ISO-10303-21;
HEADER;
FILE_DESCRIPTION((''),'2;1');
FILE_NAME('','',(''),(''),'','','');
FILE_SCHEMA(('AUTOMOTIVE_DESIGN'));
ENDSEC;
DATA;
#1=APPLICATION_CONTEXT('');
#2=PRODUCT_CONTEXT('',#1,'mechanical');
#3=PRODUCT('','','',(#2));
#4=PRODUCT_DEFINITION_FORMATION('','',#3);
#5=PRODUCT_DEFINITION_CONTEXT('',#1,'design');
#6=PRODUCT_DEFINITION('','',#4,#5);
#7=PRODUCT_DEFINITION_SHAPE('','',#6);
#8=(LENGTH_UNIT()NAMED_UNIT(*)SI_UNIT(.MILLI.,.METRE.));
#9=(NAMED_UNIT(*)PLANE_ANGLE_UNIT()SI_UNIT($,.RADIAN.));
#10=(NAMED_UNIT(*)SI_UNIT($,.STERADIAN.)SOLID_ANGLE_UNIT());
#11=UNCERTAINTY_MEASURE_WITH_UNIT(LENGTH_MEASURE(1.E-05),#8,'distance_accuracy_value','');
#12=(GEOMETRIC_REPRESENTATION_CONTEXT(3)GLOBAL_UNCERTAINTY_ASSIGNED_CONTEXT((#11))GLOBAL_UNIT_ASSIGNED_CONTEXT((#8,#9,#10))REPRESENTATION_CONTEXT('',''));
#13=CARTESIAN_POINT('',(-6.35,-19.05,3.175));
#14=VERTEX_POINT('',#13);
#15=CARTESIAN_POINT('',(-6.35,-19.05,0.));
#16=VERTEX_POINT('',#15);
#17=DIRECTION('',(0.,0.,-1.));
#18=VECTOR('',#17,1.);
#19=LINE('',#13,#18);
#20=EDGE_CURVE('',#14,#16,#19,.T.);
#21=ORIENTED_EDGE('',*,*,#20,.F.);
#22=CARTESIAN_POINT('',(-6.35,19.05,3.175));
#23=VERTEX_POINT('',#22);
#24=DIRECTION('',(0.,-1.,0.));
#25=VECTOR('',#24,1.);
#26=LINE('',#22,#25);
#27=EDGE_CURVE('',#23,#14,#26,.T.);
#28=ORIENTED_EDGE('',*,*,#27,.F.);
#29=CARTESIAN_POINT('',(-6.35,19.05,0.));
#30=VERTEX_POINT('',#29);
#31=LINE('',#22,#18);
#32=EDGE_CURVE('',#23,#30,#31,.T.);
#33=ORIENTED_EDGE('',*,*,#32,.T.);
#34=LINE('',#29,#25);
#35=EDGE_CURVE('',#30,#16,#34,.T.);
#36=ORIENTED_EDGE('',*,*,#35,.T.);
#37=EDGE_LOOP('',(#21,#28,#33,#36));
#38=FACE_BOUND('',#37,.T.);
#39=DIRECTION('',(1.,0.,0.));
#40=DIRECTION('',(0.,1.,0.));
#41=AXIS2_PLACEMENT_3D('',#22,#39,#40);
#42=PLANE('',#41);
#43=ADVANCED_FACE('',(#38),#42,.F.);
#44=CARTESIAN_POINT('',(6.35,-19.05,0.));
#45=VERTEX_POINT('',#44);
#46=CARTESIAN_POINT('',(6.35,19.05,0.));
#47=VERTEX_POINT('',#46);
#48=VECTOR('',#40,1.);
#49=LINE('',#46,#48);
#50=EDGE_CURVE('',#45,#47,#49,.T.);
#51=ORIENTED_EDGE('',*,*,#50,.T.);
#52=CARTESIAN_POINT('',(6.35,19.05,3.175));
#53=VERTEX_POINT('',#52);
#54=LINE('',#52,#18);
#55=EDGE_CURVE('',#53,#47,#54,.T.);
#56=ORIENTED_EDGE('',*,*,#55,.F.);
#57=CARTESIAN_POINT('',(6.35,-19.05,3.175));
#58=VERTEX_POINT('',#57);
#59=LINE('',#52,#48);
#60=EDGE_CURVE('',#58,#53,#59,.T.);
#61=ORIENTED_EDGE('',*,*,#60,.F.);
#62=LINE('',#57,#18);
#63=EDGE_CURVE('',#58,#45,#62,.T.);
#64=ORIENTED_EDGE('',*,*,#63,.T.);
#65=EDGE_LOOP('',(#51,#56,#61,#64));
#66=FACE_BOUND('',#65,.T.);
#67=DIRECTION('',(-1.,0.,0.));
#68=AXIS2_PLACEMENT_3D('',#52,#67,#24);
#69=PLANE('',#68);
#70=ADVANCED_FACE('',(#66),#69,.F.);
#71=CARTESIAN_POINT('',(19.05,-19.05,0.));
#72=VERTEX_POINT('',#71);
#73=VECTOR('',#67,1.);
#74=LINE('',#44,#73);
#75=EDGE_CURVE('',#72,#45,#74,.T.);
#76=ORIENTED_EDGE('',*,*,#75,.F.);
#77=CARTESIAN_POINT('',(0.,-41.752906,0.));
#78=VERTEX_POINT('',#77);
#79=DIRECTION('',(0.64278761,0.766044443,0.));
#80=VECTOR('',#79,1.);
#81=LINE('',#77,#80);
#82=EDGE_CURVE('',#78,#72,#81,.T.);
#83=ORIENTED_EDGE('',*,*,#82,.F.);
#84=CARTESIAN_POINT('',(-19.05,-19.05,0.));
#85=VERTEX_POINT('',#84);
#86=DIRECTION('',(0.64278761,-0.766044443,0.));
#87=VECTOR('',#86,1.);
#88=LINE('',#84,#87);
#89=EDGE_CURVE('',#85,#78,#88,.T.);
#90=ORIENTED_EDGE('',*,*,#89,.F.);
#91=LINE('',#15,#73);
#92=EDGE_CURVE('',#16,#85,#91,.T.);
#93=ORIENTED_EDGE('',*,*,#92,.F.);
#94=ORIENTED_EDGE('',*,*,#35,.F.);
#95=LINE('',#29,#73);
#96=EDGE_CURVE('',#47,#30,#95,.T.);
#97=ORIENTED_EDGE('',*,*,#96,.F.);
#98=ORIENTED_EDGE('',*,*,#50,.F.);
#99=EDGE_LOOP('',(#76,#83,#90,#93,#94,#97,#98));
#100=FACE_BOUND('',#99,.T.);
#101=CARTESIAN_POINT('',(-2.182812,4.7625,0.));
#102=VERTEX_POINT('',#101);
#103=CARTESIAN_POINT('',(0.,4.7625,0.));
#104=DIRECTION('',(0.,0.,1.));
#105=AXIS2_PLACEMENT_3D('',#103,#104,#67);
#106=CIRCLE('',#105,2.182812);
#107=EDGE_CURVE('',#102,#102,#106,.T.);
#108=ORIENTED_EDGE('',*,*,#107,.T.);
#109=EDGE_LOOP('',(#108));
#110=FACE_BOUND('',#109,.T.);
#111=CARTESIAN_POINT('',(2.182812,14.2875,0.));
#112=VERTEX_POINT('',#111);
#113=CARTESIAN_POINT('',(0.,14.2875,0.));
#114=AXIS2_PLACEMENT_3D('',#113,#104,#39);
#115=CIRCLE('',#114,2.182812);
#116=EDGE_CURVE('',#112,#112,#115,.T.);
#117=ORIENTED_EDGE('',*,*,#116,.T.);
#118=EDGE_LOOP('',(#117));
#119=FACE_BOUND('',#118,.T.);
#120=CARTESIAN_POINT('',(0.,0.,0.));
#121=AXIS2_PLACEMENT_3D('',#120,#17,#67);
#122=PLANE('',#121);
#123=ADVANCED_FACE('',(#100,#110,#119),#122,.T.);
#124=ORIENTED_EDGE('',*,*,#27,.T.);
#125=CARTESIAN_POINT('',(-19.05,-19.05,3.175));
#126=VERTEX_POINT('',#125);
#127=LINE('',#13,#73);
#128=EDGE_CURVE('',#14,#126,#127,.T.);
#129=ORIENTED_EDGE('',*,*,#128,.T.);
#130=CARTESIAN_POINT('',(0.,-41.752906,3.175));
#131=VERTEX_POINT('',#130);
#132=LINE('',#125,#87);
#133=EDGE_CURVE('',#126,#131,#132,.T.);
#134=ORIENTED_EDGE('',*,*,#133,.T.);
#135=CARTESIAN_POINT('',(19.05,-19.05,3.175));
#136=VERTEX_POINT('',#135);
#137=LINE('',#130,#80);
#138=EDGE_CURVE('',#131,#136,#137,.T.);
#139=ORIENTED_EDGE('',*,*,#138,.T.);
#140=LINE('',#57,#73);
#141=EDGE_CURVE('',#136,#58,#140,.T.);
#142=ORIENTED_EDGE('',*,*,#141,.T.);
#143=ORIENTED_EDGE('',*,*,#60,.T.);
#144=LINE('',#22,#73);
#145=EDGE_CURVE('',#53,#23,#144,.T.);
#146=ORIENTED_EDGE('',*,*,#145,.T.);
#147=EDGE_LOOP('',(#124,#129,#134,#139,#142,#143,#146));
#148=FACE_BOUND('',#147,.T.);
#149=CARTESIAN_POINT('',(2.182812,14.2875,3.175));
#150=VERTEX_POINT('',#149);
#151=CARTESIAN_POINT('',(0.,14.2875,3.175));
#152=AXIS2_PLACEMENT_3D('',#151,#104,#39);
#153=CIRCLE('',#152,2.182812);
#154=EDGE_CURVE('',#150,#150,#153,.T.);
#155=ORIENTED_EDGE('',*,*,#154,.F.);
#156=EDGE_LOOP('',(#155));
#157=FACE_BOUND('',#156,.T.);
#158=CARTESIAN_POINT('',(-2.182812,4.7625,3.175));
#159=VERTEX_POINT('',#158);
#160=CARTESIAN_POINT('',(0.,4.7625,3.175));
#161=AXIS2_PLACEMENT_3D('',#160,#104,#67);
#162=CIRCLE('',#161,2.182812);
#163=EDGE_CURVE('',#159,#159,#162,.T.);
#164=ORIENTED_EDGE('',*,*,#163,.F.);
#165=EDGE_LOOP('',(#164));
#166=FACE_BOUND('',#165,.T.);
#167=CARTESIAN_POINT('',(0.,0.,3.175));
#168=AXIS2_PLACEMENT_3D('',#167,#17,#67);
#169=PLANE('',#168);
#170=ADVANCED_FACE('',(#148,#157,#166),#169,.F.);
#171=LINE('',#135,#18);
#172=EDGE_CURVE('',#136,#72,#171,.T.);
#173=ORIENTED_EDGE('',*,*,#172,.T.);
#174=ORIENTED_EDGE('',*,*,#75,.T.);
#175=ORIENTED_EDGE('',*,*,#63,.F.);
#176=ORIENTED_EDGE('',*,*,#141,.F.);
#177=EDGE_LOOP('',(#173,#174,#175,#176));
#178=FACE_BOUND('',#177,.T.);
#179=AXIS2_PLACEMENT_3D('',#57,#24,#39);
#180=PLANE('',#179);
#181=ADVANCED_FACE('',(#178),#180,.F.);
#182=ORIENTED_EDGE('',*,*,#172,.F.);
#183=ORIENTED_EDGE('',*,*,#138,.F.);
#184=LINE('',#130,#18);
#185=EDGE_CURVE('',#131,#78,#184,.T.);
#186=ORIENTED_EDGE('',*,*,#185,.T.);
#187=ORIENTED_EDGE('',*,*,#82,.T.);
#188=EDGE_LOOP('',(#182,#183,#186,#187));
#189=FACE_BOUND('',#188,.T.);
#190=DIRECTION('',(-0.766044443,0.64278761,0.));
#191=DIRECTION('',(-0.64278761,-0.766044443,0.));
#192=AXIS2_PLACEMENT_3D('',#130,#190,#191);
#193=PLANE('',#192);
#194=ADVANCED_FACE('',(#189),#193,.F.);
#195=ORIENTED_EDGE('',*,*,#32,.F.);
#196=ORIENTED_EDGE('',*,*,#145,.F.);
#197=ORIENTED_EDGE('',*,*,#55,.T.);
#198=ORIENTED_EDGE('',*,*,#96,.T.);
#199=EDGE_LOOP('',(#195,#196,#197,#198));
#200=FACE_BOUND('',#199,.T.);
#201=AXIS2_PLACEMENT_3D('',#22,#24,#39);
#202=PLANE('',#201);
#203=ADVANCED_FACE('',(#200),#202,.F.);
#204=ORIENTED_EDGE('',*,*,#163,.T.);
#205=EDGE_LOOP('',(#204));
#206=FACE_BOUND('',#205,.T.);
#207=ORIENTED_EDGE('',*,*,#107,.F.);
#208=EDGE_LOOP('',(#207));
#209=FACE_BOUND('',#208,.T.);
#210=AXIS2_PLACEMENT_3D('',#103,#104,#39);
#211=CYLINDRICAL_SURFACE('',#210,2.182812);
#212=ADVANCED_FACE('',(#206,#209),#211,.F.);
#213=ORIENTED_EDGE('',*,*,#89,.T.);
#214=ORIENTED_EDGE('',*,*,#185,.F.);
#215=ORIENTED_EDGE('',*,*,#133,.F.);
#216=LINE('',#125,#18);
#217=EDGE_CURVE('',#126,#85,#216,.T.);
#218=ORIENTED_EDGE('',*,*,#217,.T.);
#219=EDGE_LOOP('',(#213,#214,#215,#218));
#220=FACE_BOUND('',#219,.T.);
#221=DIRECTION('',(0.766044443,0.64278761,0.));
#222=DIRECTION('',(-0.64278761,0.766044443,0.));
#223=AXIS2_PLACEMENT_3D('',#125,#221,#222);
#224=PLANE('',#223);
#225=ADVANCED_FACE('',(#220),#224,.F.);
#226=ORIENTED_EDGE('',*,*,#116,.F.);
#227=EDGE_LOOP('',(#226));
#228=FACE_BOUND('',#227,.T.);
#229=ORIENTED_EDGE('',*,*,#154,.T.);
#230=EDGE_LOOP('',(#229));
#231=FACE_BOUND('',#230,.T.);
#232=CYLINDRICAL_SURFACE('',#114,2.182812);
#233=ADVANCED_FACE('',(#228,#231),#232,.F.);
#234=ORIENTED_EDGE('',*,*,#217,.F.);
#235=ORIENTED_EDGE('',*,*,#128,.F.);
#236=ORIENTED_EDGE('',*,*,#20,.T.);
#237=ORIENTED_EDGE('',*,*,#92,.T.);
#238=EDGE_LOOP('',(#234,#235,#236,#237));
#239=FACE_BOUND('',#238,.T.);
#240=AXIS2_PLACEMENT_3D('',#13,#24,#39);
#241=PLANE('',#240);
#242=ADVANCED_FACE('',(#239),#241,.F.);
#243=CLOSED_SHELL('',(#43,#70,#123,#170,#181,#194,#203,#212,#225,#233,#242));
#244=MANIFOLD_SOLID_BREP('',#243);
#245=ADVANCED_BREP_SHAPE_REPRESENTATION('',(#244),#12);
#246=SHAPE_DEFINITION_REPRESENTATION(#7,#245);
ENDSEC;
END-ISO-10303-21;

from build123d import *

# Parameters (mm, degrees)
BOSS_EXTRUDE1_DEPTH = 3.175
SKETCH2_R           = 2.1828125
CUT_EXTRUDE2_DEPTH  = 47.003133364


with BuildPart() as part:
    # Sketch1 → Boss-Extrude1 (new body)
    with BuildSketch(Plane.XY):
        Polygon((-6.35, -19.05), (-19.05, -19.05), (0, -41.752905939), (19.05, -19.05), (6.35, -19.05), (6.35, 19.05), (-6.35, 19.05), align=None)
    extrude(amount=BOSS_EXTRUDE1_DEPTH)

    # Sketch2 → Cut-Extrude2 (cut, through all)
    with BuildSketch(Plane.XY.offset(3.175)):
        with Locations((0, 14.2875)):
            Circle(SKETCH2_R)
        with Locations(Location((0, 4.7625, 0), (0, 0, 180))):
            Circle(SKETCH2_R)
    extrude(amount=-CUT_EXTRUDE2_DEPTH, mode=Mode.SUBTRACT)


solid = part.part
